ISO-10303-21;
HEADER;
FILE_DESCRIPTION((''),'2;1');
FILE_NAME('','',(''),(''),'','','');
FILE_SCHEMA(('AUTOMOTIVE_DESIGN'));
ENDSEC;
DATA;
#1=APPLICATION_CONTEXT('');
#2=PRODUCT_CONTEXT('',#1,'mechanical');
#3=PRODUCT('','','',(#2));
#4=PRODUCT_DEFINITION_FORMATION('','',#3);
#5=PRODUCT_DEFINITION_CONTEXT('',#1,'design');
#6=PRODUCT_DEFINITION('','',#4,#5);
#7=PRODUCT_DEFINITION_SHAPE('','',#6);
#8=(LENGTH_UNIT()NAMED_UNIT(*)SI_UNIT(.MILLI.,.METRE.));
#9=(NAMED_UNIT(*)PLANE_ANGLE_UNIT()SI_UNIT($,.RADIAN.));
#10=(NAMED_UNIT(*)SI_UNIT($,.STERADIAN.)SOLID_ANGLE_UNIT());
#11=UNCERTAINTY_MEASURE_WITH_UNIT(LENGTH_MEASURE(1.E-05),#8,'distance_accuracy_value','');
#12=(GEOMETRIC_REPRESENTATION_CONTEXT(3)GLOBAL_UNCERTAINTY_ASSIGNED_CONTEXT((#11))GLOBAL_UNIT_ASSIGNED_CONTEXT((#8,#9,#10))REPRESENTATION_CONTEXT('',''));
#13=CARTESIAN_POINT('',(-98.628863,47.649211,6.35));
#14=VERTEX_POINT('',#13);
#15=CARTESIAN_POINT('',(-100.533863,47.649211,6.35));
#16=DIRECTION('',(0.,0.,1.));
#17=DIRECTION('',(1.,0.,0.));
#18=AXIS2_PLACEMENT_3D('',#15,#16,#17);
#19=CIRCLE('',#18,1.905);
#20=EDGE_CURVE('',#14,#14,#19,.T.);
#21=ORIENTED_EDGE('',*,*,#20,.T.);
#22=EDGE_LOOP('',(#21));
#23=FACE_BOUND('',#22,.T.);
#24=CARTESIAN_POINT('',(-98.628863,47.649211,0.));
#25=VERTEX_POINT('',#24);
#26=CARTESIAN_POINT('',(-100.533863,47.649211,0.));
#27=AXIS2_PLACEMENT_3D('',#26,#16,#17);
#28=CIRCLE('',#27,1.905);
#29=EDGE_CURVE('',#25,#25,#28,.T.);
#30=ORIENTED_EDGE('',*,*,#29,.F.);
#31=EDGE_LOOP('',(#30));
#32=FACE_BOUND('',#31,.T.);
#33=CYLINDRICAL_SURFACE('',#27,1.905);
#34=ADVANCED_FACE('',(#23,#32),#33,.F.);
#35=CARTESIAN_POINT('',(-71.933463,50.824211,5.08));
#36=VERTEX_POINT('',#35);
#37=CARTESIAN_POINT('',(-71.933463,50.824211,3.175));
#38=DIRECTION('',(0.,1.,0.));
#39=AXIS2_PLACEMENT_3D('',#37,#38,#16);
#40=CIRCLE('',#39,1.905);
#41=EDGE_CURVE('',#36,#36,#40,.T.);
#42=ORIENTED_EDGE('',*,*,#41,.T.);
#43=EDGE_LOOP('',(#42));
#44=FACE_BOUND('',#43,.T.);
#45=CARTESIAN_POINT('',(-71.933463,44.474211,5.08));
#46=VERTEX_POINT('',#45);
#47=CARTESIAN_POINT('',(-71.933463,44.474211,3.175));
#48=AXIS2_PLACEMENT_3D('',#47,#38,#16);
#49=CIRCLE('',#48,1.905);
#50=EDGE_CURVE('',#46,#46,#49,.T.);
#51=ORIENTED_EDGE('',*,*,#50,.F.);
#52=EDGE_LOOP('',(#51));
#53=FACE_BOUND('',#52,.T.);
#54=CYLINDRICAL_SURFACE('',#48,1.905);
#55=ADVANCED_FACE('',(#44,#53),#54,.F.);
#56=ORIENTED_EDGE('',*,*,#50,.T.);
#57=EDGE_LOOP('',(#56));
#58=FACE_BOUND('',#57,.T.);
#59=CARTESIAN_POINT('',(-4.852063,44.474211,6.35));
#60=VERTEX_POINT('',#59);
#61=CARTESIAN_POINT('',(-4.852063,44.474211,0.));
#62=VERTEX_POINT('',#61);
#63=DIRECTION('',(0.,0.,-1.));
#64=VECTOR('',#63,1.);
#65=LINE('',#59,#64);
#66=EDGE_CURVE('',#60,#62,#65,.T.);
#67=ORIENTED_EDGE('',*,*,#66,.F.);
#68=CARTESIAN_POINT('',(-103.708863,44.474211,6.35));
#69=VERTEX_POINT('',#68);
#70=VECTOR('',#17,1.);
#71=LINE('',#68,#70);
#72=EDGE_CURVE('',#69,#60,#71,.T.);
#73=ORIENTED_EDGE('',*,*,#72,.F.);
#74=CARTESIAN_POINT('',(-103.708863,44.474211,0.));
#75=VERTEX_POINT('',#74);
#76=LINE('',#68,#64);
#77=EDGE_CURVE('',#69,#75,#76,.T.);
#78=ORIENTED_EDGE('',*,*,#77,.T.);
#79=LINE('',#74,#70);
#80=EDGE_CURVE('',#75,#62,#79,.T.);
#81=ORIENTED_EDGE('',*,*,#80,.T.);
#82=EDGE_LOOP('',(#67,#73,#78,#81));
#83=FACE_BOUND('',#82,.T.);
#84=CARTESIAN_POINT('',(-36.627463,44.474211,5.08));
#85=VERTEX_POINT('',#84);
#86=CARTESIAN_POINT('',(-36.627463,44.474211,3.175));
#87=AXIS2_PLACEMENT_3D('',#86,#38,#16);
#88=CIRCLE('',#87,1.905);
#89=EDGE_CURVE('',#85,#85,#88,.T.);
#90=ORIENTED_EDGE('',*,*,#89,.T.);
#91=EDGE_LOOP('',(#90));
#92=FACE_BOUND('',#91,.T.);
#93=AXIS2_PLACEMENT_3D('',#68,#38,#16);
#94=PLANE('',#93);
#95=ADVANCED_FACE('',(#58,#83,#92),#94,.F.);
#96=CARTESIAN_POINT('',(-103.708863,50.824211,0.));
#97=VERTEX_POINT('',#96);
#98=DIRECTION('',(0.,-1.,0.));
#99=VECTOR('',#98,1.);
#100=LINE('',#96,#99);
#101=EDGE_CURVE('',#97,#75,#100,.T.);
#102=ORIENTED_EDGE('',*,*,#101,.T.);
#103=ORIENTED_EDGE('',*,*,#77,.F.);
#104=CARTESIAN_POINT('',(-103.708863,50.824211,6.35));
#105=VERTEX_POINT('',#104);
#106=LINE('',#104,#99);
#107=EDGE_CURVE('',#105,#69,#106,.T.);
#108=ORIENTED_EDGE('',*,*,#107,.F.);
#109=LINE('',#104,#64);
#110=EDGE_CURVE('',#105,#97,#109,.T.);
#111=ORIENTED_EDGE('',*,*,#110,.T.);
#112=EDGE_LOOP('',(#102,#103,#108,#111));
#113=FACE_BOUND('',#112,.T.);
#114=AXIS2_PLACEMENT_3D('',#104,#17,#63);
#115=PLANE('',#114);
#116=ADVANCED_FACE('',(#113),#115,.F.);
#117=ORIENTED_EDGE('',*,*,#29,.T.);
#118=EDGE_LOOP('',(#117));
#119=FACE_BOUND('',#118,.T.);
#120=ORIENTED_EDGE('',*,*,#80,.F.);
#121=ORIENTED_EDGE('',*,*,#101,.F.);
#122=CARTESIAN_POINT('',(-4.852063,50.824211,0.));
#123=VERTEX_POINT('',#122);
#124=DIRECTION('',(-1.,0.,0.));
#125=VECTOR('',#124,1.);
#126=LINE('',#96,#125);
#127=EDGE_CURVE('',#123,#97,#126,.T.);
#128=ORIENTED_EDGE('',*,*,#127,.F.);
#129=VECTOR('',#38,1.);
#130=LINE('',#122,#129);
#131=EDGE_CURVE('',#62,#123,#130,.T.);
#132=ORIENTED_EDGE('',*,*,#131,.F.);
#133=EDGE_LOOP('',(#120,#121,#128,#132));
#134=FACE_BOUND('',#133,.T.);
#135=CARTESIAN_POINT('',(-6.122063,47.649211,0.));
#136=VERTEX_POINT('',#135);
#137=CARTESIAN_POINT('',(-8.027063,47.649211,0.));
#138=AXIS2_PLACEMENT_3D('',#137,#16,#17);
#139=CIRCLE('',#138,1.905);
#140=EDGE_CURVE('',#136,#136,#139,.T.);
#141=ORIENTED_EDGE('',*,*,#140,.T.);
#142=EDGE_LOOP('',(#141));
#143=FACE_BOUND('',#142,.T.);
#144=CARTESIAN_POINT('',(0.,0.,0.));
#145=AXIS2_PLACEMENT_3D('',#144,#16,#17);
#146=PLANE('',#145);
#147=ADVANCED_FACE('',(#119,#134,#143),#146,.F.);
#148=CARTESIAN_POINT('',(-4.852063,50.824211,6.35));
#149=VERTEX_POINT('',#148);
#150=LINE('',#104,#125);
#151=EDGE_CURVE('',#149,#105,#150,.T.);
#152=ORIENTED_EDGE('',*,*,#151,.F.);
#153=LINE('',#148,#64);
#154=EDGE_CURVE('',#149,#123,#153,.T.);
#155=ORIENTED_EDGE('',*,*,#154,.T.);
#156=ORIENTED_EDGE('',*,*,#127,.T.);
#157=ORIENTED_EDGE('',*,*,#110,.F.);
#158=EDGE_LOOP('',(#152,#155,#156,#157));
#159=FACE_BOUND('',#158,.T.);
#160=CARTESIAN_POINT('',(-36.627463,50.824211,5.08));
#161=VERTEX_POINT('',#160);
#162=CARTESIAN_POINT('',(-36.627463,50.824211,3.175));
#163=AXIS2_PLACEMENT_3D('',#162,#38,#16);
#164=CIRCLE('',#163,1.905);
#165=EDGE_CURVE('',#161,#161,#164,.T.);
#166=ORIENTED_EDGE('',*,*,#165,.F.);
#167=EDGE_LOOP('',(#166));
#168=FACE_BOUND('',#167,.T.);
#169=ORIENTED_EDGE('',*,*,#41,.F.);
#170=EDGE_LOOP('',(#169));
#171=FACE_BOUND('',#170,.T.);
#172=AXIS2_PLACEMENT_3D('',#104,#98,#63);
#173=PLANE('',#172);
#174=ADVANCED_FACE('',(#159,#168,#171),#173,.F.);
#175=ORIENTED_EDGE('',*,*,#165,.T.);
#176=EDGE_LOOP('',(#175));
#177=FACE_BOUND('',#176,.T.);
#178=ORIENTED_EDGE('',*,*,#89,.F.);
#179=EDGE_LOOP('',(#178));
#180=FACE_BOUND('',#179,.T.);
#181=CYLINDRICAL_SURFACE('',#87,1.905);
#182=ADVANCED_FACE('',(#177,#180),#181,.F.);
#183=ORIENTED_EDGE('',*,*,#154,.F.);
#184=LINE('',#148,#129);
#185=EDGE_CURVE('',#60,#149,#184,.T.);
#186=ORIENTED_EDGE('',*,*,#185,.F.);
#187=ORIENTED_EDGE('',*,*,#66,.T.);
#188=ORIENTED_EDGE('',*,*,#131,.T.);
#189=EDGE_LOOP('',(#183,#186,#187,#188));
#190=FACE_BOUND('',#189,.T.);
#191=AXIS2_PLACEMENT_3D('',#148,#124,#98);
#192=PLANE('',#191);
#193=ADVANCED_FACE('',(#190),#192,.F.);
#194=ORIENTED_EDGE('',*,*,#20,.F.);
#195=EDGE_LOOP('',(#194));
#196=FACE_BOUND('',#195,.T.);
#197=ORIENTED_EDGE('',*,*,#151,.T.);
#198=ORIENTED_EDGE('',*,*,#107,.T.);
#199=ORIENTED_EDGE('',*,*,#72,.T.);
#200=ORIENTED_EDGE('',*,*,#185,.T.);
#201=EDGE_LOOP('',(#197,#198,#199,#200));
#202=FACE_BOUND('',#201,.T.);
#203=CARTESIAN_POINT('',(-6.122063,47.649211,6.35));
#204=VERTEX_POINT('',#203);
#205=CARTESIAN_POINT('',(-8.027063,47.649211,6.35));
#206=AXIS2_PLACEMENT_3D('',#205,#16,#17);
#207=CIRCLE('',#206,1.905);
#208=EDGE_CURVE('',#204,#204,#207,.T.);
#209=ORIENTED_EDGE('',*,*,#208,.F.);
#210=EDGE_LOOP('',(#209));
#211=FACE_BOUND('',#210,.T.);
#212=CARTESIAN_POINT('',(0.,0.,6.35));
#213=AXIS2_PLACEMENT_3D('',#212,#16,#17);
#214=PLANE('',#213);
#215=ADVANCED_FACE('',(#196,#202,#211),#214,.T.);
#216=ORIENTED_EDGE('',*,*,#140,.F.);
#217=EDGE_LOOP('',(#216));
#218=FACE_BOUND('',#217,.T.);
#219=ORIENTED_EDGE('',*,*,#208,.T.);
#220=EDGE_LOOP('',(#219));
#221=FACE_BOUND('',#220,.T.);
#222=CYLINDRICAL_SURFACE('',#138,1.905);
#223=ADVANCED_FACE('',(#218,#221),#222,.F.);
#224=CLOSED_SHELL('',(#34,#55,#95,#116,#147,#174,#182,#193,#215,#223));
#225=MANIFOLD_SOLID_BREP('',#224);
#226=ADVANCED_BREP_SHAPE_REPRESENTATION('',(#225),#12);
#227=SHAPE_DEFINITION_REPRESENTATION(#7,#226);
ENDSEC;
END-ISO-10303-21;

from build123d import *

# Parameters (mm, degrees)
SKETCH1_W           = 98.8568
SKETCH1_H           = 6.35
BOSS_EXTRUDE1_DEPTH = 6.35
SKETCH2_R           = 1.905
CUT_EXTRUDE1_DEPTH  = 116.667416004
SKETCH3_R           = 1.905
CUT_EXTRUDE2_DEPTH  = 105.09694142


with BuildPart() as part:
    # Sketch1 → Boss-Extrude1 (new body)
    with BuildSketch(Plane.XY):
        with Locations((-54.280462751, 47.649210884)):
            Rectangle(SKETCH1_W, SKETCH1_H)
    extrude(amount=BOSS_EXTRUDE1_DEPTH)

    # Sketch2 → Cut-Extrude1 (cut, through all)
    with BuildSketch(Plane.XY.offset(6.35)):
        with Locations((-100.533862751, 47.649210884)):
            Circle(SKETCH2_R)
        with Locations((-8.027062751, 47.649210884)):
            Circle(SKETCH2_R)
    extrude(amount=-CUT_EXTRUDE1_DEPTH, mode=Mode.SUBTRACT)

    # Sketch3 → Cut-Extrude2 (cut, through all)
    with BuildSketch(Plane(origin=(0, 50.824210884, 0), x_dir=(1, 0, 0), z_dir=(0, 1, 0))):
        with Locations(Location((-71.933462751, -3.175, 0), (0, 0, 270))):
            Circle(SKETCH3_R)
        with Locations(Location((-36.627462751, -3.175, 0), (0, 0, 270))):
            Circle(SKETCH3_R)
    extrude(amount=-CUT_EXTRUDE2_DEPTH, mode=Mode.SUBTRACT)


solid = part.part
